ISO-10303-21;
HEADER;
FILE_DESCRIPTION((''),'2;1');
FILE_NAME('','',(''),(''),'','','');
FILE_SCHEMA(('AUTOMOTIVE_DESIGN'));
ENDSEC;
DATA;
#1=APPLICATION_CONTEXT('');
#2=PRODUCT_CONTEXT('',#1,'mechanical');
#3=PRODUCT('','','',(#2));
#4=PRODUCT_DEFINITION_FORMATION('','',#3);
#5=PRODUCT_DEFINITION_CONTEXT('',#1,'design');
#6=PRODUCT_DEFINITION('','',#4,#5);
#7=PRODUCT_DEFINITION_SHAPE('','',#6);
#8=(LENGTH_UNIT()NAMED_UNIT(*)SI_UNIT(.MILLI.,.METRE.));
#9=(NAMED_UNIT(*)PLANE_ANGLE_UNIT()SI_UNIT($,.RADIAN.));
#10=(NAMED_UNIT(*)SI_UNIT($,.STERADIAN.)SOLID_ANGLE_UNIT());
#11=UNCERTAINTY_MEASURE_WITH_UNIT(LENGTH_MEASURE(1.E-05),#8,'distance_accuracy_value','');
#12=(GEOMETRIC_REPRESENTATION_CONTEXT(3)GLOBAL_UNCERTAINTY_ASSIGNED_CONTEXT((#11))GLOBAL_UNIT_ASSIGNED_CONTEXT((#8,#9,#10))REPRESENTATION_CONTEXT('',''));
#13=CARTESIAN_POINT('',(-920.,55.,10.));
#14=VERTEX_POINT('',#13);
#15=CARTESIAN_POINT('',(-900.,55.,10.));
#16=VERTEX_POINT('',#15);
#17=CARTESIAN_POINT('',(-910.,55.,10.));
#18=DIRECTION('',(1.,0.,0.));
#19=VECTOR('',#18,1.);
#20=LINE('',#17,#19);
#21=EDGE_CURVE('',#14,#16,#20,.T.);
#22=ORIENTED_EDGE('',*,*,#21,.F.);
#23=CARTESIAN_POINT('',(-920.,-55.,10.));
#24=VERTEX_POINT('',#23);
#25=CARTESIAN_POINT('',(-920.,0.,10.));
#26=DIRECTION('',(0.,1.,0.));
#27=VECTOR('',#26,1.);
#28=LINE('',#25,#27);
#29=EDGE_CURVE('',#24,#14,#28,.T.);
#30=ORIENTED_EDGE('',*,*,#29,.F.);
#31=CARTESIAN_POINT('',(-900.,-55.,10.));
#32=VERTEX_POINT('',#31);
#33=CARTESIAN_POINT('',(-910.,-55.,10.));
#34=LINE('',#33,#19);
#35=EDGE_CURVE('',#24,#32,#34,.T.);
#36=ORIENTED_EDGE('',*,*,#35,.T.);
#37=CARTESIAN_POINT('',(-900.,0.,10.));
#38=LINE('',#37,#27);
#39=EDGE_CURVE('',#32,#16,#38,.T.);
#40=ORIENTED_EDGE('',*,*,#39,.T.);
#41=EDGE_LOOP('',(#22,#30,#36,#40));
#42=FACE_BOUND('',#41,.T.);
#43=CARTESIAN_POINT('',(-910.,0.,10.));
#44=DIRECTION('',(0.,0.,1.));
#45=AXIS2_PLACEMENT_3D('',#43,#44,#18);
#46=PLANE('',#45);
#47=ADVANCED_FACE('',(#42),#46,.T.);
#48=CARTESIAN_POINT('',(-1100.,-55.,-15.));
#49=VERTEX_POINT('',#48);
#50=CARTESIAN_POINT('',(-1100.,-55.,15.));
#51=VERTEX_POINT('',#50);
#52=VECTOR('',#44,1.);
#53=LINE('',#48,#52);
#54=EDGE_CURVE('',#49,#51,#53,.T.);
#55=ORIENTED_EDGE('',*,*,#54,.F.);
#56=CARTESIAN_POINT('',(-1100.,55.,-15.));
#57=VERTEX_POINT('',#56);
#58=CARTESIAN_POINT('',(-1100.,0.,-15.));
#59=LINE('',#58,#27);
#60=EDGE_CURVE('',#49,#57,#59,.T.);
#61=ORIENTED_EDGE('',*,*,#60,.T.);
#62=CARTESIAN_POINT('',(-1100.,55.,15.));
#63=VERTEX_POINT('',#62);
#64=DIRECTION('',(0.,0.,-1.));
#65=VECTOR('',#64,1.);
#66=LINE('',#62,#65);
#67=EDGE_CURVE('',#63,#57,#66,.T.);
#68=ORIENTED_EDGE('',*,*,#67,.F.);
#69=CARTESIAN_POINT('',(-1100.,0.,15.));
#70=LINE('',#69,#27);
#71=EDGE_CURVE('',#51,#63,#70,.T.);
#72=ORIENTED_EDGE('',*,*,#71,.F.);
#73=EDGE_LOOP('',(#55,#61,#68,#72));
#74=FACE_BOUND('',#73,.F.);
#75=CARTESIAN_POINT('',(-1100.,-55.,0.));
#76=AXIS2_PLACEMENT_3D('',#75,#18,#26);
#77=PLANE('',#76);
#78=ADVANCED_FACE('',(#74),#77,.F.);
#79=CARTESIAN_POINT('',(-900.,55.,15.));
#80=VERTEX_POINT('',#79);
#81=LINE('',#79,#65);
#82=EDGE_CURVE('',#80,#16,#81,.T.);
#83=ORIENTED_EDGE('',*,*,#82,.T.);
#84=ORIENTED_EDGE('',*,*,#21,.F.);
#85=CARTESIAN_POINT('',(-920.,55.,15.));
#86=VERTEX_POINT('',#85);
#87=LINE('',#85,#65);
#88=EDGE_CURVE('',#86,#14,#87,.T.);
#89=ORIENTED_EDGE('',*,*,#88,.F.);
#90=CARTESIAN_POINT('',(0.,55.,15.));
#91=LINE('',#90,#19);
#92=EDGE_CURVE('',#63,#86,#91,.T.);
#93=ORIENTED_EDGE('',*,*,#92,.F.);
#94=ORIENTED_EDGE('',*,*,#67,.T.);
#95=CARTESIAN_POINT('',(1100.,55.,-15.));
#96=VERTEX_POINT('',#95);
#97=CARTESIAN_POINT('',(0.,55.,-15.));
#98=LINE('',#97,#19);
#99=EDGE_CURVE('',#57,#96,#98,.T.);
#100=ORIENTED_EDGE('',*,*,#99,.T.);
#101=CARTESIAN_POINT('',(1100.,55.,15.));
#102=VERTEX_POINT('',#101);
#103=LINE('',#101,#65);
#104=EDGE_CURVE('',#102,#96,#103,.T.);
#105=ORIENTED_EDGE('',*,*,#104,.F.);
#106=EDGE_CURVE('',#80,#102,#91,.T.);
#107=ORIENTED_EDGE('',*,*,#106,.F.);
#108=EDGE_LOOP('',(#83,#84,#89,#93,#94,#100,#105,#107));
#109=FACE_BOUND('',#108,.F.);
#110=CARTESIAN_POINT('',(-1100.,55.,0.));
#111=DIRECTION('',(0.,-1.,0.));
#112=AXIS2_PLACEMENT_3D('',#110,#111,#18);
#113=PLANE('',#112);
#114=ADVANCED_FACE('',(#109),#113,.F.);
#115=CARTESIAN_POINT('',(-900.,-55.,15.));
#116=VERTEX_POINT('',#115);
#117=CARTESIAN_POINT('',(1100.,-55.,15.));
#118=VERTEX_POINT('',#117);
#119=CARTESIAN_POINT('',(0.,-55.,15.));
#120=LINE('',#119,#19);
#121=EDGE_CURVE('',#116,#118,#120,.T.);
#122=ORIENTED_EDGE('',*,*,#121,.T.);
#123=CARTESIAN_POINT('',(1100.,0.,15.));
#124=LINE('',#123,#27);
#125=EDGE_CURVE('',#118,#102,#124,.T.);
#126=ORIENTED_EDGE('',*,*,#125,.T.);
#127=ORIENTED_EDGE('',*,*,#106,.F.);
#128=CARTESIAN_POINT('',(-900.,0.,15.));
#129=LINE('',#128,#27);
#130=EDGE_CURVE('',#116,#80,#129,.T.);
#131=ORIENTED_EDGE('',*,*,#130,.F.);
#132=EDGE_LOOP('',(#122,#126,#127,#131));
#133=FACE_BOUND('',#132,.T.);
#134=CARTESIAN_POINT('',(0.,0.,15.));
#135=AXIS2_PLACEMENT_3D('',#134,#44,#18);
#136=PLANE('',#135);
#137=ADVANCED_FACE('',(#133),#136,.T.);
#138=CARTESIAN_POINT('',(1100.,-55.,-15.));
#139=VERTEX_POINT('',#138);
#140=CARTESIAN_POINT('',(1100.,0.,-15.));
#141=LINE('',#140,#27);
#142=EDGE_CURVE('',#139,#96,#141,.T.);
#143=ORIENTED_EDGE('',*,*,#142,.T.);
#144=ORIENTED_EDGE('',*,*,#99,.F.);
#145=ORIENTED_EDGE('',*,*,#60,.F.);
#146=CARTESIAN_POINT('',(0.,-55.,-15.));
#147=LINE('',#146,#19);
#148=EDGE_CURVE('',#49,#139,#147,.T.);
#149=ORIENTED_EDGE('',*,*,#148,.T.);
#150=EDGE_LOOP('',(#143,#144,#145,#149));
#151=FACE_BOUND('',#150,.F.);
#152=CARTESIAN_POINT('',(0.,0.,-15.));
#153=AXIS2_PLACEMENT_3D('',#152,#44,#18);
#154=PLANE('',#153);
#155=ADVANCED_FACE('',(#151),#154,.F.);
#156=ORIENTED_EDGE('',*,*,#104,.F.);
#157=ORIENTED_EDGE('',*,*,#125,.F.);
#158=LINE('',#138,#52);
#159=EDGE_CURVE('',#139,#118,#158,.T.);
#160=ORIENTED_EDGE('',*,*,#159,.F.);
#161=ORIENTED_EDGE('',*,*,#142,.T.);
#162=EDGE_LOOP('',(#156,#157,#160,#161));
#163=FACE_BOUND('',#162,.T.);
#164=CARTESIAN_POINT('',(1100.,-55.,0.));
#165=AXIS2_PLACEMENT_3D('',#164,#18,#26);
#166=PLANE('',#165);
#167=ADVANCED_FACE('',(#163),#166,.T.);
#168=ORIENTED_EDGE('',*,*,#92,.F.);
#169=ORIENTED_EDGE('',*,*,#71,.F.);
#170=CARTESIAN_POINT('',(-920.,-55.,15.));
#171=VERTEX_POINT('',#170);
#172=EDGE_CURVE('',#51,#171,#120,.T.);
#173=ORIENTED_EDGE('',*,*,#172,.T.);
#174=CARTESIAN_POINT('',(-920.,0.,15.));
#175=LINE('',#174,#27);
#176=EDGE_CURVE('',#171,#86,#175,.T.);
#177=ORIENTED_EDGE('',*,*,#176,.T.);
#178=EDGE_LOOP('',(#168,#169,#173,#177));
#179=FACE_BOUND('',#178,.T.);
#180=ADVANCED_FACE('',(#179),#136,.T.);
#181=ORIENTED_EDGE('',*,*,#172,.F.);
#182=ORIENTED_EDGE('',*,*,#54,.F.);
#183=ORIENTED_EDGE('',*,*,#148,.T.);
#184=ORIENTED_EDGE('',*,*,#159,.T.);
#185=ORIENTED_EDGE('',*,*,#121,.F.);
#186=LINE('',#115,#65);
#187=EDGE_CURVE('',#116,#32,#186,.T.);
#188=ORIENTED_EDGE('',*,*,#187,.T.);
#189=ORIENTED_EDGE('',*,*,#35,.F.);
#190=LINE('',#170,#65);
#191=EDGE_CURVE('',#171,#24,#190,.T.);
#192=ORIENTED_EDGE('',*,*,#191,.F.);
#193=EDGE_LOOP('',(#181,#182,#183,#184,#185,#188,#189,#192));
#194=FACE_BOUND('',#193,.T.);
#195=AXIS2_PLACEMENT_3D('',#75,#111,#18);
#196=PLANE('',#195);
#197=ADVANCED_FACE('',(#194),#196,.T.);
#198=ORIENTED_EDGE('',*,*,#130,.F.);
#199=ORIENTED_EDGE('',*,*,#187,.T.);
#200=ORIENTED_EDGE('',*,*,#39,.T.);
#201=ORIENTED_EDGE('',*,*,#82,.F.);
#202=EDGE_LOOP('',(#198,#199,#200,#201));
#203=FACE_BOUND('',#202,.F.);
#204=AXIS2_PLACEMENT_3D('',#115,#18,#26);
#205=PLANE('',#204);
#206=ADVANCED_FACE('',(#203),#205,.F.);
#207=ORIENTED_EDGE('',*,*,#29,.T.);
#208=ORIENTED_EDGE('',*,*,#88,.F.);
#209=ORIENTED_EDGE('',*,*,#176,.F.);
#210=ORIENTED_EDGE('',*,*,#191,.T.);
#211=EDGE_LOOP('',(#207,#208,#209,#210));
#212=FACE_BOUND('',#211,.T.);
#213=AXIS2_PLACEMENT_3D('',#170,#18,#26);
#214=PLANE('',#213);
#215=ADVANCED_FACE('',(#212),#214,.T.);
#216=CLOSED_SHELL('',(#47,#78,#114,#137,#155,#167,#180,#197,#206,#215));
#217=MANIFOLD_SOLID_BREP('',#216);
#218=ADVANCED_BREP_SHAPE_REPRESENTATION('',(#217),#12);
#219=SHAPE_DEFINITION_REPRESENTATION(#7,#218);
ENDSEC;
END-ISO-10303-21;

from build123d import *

# Parameters (mm, degrees)
SKETCH_W     = 2200
SKETCH_H     = 110
PAD_DEPTH    = 15
SKETCH001_W  = 20
SKETCH001_H  = 110
POCKET_DEPTH = 5


with BuildPart() as part:
    # Sketch → Pad (new body, symmetric)
    with BuildSketch(Plane.XY):
        Rectangle(SKETCH_W, SKETCH_H)
    extrude(amount=PAD_DEPTH, both=True)

    # Sketch001 → Pocket (cut)
    with BuildSketch(Plane.XY.offset(15)):
        with Locations((-910, 0)):
            Rectangle(SKETCH001_W, SKETCH001_H)
    extrude(amount=-POCKET_DEPTH, mode=Mode.SUBTRACT)


solid = part.part
